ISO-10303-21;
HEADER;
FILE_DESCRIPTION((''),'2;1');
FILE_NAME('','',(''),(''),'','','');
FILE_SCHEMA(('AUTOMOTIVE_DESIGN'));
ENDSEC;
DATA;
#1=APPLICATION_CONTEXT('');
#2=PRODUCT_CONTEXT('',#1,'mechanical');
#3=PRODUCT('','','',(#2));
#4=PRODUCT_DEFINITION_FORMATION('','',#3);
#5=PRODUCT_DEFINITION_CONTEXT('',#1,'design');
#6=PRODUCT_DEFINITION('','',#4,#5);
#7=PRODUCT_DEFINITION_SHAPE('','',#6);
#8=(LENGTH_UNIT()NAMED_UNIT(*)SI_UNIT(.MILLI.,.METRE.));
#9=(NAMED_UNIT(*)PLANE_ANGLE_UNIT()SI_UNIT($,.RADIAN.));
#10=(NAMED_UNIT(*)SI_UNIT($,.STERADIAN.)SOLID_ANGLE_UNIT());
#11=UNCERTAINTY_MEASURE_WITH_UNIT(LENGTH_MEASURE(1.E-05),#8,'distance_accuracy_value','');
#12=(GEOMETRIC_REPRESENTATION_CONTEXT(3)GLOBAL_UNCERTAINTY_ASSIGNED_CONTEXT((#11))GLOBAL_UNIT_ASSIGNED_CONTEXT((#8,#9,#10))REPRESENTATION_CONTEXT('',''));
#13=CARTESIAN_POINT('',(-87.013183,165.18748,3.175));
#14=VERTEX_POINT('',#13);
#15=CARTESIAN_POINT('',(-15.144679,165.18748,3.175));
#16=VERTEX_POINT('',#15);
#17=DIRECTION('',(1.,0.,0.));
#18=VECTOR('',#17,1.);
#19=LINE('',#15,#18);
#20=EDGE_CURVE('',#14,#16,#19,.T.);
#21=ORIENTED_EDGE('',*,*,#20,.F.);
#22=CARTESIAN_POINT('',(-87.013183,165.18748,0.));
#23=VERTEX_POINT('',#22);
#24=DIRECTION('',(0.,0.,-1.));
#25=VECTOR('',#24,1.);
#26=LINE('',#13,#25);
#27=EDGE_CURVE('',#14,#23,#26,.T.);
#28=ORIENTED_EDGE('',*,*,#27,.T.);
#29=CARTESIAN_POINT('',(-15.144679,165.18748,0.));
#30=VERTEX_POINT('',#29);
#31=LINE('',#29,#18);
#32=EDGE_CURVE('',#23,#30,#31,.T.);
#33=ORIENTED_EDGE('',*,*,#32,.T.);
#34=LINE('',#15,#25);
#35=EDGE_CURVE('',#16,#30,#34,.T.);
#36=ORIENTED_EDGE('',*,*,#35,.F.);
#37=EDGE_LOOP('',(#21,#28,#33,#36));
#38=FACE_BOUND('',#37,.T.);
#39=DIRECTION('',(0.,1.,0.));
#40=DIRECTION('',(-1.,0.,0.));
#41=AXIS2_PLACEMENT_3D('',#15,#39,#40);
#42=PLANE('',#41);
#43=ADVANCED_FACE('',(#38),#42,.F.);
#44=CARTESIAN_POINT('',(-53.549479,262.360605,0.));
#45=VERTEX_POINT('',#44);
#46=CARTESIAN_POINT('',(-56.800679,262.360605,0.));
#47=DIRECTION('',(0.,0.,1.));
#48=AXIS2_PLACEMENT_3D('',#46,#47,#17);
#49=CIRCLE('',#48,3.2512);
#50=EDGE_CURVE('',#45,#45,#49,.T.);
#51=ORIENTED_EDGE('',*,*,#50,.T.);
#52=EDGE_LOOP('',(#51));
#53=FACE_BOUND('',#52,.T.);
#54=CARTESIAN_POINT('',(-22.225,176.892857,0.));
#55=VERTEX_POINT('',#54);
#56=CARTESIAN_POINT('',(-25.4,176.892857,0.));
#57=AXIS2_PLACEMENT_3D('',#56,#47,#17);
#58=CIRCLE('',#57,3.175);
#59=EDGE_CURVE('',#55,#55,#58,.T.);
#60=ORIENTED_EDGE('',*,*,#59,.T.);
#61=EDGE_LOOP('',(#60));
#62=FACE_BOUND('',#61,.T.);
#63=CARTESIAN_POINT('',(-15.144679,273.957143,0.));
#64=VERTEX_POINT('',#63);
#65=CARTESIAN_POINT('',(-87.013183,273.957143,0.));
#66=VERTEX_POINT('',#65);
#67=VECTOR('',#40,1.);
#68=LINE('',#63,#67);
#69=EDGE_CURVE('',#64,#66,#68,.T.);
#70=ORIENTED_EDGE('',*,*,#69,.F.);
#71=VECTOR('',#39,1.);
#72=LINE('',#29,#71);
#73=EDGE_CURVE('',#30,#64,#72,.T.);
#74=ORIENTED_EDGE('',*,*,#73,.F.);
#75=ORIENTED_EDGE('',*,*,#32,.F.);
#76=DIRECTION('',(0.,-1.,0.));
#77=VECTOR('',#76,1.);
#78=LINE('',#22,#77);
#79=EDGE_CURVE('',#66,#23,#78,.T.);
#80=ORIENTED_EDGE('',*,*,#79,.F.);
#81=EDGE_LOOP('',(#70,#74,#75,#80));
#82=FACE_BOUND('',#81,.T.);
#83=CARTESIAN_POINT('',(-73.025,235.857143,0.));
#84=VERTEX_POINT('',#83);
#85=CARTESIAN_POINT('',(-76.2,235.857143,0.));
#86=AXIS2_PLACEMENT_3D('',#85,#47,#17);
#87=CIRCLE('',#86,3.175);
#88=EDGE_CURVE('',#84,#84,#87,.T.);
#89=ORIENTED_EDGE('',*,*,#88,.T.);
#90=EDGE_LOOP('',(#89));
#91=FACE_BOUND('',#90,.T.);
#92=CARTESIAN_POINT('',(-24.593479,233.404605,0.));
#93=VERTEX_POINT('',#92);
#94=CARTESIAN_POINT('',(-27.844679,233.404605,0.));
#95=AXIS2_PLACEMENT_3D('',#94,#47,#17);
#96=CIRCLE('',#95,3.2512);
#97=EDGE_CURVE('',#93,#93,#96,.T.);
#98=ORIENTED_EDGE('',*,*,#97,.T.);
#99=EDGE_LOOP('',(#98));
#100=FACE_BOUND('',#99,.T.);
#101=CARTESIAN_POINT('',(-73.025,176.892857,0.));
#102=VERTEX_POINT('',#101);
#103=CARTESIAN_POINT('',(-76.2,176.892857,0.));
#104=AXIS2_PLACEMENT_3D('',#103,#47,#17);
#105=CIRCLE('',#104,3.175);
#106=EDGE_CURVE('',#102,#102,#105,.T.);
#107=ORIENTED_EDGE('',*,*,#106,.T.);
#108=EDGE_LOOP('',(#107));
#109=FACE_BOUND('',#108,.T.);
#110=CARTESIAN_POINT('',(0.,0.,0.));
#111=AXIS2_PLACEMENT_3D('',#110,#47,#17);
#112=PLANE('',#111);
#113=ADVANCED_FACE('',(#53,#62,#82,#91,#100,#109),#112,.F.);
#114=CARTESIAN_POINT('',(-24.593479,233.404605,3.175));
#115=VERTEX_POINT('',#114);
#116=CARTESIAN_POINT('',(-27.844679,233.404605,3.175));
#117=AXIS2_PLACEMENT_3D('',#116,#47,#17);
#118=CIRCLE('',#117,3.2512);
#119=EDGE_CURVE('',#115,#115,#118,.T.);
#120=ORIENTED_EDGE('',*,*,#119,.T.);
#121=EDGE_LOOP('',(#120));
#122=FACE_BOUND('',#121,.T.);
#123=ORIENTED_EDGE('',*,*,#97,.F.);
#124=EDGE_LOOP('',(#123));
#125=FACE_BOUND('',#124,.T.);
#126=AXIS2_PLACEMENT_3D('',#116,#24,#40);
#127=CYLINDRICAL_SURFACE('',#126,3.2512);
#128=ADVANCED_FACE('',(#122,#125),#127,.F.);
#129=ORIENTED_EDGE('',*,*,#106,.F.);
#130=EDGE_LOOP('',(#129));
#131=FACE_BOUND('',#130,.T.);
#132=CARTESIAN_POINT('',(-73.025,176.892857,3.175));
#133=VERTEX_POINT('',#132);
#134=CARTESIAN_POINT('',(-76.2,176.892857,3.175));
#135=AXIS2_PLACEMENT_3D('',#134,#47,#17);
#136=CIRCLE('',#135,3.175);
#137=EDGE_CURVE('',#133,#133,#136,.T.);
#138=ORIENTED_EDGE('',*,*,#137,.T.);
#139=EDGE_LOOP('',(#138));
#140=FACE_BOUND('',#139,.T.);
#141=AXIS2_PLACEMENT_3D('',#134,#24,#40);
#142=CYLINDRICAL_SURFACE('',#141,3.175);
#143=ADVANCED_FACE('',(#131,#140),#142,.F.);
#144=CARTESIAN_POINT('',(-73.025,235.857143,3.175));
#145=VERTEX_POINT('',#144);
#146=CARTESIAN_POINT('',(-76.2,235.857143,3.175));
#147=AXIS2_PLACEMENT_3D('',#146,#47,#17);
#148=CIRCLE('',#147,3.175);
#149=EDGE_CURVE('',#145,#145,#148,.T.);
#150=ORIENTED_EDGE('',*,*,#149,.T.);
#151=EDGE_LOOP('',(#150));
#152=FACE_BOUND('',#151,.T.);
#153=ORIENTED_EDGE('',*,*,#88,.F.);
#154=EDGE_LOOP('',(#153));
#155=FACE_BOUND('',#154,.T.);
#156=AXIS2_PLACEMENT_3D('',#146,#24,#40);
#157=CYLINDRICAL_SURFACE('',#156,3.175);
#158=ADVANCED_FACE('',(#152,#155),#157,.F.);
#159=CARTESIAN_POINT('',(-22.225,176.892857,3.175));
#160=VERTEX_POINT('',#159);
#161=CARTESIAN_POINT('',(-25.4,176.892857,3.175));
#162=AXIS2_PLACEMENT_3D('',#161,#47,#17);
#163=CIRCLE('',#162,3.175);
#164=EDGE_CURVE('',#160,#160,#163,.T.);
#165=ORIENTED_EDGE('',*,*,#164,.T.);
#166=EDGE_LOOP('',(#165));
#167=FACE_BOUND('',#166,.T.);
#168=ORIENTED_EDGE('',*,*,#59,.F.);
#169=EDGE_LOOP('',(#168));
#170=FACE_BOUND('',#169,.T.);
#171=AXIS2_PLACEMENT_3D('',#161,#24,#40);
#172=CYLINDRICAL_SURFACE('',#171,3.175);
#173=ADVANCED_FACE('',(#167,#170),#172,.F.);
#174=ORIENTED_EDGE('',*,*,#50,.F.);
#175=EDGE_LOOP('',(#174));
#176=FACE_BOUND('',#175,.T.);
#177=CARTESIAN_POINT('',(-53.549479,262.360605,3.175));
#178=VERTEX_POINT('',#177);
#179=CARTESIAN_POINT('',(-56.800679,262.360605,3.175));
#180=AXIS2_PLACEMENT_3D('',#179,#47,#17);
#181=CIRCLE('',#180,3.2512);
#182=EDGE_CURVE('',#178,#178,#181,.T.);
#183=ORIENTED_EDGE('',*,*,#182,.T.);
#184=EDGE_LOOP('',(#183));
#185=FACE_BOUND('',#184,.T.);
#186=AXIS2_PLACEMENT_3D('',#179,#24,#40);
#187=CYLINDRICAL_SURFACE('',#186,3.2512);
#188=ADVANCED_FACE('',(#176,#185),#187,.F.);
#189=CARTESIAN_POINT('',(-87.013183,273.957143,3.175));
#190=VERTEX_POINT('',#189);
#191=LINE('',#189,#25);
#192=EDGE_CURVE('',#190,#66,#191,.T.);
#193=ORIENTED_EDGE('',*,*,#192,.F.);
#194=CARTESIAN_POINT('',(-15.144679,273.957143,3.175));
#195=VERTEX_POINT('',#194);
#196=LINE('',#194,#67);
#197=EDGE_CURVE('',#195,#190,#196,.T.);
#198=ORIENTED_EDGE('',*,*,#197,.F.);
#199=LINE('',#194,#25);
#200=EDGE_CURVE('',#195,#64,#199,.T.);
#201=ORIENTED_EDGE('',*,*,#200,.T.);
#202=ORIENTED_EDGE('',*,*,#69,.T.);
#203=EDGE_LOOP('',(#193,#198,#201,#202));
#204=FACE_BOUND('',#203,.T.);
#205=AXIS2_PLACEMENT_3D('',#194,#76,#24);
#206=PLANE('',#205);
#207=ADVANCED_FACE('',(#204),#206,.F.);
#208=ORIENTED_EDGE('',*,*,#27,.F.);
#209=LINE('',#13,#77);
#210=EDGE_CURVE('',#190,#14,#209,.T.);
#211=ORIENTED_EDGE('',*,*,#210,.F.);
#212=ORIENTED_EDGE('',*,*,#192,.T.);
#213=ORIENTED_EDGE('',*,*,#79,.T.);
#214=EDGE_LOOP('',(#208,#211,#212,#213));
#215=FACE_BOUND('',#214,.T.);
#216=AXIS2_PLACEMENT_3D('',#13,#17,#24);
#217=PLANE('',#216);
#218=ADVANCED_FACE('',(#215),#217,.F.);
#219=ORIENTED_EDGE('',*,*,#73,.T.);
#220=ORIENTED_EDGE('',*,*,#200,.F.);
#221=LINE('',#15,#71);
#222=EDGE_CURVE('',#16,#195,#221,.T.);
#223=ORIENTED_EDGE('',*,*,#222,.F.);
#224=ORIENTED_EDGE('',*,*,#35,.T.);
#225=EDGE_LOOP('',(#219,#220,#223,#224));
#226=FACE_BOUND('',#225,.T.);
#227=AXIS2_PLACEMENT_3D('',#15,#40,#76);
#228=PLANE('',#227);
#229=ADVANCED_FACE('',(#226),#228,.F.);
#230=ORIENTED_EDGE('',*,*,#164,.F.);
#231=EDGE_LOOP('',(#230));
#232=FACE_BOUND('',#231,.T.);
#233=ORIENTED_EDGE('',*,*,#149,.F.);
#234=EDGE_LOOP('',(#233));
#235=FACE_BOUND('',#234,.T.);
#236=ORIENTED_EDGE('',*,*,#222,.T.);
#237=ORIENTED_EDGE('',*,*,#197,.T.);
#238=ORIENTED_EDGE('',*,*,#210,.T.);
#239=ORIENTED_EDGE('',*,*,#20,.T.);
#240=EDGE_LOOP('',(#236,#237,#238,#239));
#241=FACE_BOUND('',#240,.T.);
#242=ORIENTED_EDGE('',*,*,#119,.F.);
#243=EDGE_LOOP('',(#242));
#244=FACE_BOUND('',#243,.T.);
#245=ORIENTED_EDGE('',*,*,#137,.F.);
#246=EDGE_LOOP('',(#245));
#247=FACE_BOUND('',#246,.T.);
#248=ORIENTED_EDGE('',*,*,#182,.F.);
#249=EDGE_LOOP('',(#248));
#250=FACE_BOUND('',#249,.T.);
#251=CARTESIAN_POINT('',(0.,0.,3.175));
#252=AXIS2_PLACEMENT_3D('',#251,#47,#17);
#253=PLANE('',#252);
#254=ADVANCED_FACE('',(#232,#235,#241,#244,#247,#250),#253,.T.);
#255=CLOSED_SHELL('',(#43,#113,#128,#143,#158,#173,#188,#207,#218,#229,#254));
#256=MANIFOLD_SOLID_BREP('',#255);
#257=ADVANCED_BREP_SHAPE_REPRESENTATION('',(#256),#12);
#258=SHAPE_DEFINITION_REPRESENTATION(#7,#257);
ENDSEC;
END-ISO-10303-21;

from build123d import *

# Parameters (mm, degrees)
SKETCH1_W           = 71.868504438
SKETCH1_H           = 108.769662743
SKETCH1_R           = 3.175
SKETCH1_R_2         = 3.2512
BOSS_EXTRUDE1_DEPTH = 3.175


with BuildPart() as part:
    # Sketch1 → Boss-Extrude1 (new body)
    with BuildSketch(Plane.XY):
        with Locations((-51.078931076, 219.572311485)):
            Rectangle(SKETCH1_W, SKETCH1_H)
        with Locations((-25.4, 176.892857143)):
            Circle(SKETCH1_R, mode=Mode.SUBTRACT)
        with Locations((-76.2, 176.892857143)):
            Circle(SKETCH1_R, mode=Mode.SUBTRACT)
        with Locations((-27.844678857, 233.404604576)):
            Circle(SKETCH1_R_2, mode=Mode.SUBTRACT)
        with Locations((-56.800678857, 262.360604576)):
            Circle(SKETCH1_R_2, mode=Mode.SUBTRACT)
        with Locations((-76.2, 235.857142857)):
            Circle(SKETCH1_R, mode=Mode.SUBTRACT)
    extrude(amount=BOSS_EXTRUDE1_DEPTH)


solid = part.part
